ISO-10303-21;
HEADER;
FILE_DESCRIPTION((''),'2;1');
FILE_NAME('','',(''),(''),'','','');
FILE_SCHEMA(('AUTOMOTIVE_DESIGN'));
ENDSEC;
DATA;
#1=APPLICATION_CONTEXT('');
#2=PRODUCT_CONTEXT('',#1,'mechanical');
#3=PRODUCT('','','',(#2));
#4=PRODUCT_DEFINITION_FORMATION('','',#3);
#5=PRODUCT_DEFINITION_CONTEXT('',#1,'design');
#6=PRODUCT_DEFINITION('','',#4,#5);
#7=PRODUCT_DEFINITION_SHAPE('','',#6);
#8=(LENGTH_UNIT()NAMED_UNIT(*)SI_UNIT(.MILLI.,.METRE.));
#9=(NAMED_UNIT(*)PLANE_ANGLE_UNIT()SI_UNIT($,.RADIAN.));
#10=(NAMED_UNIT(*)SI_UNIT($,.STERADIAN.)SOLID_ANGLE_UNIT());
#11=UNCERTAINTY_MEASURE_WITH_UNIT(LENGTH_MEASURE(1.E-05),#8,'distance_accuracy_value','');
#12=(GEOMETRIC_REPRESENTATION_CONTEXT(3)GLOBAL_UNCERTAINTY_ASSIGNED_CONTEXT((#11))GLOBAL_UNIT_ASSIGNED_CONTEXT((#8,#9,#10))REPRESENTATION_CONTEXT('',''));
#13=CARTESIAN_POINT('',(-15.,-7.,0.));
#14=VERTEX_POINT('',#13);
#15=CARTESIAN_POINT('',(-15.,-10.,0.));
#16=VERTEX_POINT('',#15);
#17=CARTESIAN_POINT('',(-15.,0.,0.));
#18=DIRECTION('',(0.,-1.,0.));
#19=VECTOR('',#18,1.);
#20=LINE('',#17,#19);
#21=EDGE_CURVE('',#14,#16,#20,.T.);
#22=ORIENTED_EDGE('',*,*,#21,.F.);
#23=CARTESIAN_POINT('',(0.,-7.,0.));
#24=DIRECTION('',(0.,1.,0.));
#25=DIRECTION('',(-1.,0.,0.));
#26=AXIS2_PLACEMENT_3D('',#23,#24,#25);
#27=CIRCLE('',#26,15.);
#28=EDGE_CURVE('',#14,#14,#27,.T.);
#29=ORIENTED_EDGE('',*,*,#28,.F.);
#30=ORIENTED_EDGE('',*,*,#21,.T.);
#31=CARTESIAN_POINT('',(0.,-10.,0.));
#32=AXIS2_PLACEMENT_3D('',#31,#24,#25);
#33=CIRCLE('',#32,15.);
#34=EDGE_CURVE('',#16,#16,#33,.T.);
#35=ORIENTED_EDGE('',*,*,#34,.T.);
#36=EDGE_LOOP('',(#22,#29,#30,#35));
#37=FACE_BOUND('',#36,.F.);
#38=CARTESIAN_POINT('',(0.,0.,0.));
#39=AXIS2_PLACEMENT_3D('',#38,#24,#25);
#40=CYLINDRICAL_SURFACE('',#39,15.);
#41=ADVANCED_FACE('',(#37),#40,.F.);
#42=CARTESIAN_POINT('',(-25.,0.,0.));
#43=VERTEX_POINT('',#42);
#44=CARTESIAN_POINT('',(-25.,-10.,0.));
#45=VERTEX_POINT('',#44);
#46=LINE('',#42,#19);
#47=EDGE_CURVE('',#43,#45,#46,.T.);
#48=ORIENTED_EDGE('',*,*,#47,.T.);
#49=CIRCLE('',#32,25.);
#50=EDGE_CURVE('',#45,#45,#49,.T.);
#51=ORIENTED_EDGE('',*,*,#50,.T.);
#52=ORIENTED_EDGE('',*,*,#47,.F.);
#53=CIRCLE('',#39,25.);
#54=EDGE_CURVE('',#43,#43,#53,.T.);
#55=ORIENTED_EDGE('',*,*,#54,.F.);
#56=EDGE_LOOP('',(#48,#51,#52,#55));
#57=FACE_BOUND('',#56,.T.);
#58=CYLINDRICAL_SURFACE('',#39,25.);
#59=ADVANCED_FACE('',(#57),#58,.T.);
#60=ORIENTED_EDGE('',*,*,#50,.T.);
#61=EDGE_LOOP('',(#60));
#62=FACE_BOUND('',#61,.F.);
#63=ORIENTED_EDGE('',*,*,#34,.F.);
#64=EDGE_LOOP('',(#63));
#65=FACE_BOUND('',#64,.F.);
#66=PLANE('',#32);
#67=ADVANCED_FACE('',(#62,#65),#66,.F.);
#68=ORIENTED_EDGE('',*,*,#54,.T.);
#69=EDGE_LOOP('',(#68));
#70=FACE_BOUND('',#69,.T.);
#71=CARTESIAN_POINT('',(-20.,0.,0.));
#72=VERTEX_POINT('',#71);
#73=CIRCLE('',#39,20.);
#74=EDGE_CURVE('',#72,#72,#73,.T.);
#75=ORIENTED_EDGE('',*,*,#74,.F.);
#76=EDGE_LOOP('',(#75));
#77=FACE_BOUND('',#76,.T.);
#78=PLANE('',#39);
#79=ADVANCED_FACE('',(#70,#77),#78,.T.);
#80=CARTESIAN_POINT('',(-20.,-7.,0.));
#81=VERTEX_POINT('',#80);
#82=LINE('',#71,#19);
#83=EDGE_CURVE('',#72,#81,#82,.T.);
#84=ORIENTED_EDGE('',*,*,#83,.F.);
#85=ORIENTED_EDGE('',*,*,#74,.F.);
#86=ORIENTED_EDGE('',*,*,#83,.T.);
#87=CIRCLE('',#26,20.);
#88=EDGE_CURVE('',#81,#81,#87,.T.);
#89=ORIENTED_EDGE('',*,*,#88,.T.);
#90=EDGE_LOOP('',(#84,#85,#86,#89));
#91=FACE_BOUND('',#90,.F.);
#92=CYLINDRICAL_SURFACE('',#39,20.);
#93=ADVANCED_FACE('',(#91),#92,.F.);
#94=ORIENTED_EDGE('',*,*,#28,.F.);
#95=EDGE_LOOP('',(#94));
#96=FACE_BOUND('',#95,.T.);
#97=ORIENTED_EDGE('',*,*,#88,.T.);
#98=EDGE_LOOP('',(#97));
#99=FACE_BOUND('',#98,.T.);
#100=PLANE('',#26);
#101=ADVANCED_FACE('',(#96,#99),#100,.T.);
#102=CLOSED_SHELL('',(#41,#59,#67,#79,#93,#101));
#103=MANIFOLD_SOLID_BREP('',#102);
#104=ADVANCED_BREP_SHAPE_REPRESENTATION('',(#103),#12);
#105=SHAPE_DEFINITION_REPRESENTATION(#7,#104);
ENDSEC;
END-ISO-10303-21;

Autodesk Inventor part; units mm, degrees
ref_plane "YZ Plane" through (0, 0, 0) normal (1, 0, 0) x (0, 1, 0)
ref_plane "XZ Plane" through (0, 0, 0) normal (0, 1, 0) x (-1, 0, 0)
ref_plane "XY Plane" through (0, 0, 0) normal (0, 0, 1) x (1, 0, 0)
sketch "Sketch1" plane through (0, 0, 0) normal (0, 1, 0) x (-1, 0, 0)
  circle A0 centre (0, 0) radius 25
  dimension "d0" = 50
extrude "Extrusion1" add sketch "Sketch1" against normal blind 10
sketch "Sketch3" plane through (0, 0, 0) normal (0, 1, 0) x (-1, 0, 0)
  circle A0 centre (0, 0) radius 15
  dimension "d3" = 30
extrude "Extrusion2" cut sketch "Sketch3" against normal blind 10
sketch "Sketch4" plane through (0, 0, 0) normal (0, 1, 0) x (-1, 0, 0)
  circle A0 centre (0, 0) radius 20
  dimension "d6" = 40
extrude "Extrusion3" cut sketch "Sketch4" against normal blind 7
properties part number "Седло для сальника"
